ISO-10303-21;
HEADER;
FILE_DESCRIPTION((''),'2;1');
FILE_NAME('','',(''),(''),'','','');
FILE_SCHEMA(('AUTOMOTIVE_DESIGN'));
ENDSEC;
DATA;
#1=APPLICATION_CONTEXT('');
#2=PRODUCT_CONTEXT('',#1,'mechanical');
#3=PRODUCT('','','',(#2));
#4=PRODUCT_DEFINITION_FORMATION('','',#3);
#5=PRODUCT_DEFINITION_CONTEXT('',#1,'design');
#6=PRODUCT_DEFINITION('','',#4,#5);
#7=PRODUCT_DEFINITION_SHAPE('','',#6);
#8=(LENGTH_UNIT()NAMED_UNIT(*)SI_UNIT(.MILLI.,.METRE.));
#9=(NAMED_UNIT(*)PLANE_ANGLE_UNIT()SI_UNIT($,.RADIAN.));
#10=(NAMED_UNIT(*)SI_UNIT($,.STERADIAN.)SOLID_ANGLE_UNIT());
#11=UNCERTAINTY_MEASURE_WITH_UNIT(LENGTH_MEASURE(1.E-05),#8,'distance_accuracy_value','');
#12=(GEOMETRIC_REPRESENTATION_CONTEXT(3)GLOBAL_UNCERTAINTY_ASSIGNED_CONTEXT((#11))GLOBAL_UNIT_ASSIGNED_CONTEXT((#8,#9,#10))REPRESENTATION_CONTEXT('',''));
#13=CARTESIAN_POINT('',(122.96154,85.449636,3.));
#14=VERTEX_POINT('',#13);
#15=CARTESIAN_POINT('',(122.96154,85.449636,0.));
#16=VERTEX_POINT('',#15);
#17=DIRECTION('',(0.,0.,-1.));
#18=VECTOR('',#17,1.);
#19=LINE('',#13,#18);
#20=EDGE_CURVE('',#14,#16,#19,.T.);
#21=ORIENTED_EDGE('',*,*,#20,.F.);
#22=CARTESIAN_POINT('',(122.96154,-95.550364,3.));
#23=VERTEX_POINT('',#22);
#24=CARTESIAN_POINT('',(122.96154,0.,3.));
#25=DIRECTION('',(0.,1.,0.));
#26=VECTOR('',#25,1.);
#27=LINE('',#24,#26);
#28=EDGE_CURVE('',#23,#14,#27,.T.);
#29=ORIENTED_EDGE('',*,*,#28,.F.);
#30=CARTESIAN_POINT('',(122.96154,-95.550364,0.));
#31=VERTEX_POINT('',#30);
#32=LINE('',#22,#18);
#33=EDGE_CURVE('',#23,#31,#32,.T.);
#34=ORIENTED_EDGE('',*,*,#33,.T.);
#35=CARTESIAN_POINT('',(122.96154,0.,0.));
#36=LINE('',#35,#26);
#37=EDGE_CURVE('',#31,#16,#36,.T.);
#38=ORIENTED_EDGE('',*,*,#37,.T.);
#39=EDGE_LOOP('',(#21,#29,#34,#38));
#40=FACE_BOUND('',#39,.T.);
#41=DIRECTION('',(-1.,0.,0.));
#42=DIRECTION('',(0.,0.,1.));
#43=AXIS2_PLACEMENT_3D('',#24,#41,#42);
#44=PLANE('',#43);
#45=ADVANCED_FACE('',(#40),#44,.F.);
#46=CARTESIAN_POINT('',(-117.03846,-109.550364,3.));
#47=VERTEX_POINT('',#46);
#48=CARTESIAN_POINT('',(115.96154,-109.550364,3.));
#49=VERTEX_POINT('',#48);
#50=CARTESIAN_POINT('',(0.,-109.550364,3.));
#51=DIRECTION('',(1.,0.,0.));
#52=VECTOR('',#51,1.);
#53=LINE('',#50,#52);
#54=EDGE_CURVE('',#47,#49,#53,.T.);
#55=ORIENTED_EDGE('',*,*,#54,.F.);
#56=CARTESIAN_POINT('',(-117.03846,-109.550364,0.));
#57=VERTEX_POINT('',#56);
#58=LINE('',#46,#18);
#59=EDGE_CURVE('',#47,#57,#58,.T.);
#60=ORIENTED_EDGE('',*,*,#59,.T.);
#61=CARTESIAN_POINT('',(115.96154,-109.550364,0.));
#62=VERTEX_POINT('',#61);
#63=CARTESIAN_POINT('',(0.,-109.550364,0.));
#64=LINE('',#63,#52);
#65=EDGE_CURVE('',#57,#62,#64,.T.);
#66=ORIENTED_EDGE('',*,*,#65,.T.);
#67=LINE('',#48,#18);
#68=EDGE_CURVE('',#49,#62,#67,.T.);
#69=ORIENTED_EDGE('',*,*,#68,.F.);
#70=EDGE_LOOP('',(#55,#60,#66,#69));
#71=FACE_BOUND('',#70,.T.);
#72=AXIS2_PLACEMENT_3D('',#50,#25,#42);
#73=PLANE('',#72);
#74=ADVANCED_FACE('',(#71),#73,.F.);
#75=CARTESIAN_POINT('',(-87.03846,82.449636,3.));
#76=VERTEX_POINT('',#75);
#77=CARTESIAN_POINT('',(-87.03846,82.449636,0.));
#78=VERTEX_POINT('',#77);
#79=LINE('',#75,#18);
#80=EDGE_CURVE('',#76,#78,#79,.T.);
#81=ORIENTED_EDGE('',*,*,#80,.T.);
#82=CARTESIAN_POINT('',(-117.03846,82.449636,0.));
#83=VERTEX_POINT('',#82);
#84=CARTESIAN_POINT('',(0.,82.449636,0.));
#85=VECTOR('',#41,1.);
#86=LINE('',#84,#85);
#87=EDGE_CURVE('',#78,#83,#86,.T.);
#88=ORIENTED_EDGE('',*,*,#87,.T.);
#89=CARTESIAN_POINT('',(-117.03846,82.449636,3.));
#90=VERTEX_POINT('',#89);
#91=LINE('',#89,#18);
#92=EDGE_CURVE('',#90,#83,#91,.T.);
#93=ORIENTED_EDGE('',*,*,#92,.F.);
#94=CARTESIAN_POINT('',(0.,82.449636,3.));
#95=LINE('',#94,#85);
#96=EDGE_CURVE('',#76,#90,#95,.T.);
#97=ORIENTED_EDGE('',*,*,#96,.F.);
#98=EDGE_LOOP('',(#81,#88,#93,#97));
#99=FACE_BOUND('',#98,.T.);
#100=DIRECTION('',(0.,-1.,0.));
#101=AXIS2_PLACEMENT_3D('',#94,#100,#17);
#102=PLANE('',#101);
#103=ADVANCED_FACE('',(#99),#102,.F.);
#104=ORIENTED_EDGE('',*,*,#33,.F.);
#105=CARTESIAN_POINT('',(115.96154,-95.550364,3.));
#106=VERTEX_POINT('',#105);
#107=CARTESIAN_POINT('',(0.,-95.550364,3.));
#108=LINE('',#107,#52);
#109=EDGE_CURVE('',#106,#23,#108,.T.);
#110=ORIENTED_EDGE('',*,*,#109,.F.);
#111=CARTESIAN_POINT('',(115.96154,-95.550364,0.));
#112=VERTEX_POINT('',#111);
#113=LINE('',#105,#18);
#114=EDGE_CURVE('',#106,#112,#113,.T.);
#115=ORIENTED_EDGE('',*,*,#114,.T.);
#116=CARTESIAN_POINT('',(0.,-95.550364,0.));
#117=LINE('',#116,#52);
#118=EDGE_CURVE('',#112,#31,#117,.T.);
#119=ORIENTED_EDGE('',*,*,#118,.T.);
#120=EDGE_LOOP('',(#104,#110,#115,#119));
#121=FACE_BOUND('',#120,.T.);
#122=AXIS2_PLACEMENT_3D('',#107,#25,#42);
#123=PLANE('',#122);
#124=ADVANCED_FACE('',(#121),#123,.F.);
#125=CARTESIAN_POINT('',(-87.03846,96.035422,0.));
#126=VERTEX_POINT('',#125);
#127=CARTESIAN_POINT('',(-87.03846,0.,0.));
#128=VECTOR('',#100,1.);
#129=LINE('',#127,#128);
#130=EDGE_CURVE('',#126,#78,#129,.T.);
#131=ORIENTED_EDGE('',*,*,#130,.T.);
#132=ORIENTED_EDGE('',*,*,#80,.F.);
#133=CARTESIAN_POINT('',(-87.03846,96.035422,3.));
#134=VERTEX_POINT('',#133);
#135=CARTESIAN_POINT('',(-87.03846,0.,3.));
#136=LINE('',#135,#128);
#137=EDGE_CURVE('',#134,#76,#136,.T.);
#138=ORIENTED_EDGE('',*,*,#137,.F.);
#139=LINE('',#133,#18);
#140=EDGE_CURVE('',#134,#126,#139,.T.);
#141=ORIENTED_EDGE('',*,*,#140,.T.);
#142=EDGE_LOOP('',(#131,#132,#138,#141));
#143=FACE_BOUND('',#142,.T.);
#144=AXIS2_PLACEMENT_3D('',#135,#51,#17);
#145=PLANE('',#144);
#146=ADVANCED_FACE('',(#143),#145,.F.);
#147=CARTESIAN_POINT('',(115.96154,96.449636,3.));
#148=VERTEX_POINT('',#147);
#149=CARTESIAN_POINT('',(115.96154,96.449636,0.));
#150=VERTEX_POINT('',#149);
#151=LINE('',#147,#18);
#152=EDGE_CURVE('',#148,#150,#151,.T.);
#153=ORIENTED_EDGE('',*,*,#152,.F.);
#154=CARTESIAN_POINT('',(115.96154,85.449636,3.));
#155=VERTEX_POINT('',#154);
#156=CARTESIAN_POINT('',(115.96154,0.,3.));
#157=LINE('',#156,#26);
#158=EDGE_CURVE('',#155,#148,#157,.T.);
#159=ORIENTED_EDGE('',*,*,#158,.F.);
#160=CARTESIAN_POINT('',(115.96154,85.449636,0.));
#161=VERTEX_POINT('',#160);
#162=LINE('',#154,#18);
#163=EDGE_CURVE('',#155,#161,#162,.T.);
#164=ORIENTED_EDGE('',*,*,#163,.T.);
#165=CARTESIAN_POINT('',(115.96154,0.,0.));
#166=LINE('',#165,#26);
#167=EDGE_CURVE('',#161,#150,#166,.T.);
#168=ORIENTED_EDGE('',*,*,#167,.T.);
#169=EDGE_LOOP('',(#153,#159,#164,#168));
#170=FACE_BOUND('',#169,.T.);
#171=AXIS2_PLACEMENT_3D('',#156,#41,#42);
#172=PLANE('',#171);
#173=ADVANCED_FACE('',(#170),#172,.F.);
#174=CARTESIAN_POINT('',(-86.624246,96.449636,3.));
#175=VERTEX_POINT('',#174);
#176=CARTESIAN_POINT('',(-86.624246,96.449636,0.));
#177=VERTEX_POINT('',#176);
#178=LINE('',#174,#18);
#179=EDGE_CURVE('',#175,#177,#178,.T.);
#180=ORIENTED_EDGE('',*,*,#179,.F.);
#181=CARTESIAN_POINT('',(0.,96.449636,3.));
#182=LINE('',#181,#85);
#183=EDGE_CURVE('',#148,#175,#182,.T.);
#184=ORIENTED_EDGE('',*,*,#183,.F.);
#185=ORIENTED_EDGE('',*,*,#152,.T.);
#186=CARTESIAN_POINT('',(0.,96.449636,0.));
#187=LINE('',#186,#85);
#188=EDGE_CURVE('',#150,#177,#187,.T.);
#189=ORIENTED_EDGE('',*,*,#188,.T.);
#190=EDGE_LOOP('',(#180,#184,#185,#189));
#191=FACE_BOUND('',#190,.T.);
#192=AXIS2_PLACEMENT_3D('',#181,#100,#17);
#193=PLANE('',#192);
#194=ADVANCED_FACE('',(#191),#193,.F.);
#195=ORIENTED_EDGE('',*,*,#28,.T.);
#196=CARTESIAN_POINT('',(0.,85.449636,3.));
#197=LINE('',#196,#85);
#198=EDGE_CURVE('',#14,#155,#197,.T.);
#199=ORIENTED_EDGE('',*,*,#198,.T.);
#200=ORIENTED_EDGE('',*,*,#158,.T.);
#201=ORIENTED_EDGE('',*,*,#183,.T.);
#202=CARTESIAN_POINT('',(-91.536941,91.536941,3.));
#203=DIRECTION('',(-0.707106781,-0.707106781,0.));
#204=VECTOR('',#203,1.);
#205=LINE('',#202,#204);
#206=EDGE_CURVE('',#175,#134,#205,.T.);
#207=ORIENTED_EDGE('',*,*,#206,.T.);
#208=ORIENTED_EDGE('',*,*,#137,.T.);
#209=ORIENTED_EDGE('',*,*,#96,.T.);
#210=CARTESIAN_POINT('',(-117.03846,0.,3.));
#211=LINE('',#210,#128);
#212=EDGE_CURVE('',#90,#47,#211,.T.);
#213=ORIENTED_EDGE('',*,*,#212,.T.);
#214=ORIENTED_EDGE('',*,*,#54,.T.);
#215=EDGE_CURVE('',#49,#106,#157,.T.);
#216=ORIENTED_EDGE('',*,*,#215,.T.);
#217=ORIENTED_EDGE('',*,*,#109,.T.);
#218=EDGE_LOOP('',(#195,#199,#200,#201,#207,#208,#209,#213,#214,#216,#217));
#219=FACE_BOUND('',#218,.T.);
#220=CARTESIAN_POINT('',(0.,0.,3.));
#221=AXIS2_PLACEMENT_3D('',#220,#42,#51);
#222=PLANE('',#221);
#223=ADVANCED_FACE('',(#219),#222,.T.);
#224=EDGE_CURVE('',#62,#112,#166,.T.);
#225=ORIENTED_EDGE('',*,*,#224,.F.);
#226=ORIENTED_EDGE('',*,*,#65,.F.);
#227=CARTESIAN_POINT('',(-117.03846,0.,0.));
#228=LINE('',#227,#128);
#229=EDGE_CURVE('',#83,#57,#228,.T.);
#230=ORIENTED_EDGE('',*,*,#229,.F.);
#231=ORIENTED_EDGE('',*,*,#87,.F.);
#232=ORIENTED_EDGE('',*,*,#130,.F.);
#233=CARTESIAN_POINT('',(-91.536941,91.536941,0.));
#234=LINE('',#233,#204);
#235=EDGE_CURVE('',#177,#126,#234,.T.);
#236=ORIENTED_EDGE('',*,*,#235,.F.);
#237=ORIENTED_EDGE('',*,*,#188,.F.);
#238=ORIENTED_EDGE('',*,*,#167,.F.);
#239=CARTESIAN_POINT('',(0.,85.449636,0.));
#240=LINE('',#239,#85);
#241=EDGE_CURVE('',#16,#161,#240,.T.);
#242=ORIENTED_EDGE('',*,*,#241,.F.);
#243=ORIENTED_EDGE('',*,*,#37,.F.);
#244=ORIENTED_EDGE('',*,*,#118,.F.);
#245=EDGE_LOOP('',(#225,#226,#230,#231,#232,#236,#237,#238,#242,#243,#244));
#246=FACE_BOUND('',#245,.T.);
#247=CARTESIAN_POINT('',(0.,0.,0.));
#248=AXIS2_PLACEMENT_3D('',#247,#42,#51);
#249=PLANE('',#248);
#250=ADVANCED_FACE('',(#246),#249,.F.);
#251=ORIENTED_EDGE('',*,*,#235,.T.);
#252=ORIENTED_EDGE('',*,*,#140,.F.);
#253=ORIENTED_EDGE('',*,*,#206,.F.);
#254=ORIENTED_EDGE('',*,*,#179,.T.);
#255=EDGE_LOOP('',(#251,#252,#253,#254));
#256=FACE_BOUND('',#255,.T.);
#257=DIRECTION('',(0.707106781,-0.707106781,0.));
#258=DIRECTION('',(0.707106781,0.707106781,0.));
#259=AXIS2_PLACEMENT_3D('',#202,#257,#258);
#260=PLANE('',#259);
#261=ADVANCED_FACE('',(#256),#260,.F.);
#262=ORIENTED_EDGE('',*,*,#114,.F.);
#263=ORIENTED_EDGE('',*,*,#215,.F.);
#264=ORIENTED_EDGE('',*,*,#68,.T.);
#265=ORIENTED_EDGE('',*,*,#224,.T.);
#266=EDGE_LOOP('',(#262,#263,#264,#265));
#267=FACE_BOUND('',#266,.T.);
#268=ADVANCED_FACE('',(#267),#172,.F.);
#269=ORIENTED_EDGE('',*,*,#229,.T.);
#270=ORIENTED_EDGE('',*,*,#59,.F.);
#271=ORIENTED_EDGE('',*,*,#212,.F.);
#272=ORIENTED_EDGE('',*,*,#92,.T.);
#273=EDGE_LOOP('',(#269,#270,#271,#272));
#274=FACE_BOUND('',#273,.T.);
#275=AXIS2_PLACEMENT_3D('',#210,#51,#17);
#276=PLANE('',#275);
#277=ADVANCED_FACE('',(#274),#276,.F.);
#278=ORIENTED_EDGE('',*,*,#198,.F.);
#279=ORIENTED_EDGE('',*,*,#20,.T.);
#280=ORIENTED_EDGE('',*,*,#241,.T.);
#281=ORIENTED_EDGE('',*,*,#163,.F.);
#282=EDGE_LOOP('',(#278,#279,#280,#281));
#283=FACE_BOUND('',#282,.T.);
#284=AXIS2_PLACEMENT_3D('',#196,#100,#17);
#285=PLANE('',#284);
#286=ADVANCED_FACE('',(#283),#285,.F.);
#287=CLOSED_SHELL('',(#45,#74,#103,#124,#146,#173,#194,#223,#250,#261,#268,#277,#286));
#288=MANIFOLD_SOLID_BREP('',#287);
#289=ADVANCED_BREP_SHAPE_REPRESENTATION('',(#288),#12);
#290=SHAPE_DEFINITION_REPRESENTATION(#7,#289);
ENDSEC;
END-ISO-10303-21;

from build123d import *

# Parameters (mm, degrees)
BOSS_EXTRUDE1_DEPTH = 3


with BuildPart() as part:
    # Sketch1 → Boss-Extrude1 (new body)
    with BuildSketch(Plane.XY):
        Polygon((-87.03845954, 82.449635922), (-117.03845954, 82.449635922), (-117.03845954, -109.550364078), (115.96154046, -109.550364078), (115.96154046, -95.550364078), (122.96154046, -95.550364078), (122.96154046, 85.449635922), (115.96154046, 85.449635922), (115.96154046, 96.449635922), (-74.03845954, 96.449635922), (-86.624245977, 96.449635922), (-87.03845954, 96.03542236), align=None)
    extrude(amount=BOSS_EXTRUDE1_DEPTH)


solid = part.part
